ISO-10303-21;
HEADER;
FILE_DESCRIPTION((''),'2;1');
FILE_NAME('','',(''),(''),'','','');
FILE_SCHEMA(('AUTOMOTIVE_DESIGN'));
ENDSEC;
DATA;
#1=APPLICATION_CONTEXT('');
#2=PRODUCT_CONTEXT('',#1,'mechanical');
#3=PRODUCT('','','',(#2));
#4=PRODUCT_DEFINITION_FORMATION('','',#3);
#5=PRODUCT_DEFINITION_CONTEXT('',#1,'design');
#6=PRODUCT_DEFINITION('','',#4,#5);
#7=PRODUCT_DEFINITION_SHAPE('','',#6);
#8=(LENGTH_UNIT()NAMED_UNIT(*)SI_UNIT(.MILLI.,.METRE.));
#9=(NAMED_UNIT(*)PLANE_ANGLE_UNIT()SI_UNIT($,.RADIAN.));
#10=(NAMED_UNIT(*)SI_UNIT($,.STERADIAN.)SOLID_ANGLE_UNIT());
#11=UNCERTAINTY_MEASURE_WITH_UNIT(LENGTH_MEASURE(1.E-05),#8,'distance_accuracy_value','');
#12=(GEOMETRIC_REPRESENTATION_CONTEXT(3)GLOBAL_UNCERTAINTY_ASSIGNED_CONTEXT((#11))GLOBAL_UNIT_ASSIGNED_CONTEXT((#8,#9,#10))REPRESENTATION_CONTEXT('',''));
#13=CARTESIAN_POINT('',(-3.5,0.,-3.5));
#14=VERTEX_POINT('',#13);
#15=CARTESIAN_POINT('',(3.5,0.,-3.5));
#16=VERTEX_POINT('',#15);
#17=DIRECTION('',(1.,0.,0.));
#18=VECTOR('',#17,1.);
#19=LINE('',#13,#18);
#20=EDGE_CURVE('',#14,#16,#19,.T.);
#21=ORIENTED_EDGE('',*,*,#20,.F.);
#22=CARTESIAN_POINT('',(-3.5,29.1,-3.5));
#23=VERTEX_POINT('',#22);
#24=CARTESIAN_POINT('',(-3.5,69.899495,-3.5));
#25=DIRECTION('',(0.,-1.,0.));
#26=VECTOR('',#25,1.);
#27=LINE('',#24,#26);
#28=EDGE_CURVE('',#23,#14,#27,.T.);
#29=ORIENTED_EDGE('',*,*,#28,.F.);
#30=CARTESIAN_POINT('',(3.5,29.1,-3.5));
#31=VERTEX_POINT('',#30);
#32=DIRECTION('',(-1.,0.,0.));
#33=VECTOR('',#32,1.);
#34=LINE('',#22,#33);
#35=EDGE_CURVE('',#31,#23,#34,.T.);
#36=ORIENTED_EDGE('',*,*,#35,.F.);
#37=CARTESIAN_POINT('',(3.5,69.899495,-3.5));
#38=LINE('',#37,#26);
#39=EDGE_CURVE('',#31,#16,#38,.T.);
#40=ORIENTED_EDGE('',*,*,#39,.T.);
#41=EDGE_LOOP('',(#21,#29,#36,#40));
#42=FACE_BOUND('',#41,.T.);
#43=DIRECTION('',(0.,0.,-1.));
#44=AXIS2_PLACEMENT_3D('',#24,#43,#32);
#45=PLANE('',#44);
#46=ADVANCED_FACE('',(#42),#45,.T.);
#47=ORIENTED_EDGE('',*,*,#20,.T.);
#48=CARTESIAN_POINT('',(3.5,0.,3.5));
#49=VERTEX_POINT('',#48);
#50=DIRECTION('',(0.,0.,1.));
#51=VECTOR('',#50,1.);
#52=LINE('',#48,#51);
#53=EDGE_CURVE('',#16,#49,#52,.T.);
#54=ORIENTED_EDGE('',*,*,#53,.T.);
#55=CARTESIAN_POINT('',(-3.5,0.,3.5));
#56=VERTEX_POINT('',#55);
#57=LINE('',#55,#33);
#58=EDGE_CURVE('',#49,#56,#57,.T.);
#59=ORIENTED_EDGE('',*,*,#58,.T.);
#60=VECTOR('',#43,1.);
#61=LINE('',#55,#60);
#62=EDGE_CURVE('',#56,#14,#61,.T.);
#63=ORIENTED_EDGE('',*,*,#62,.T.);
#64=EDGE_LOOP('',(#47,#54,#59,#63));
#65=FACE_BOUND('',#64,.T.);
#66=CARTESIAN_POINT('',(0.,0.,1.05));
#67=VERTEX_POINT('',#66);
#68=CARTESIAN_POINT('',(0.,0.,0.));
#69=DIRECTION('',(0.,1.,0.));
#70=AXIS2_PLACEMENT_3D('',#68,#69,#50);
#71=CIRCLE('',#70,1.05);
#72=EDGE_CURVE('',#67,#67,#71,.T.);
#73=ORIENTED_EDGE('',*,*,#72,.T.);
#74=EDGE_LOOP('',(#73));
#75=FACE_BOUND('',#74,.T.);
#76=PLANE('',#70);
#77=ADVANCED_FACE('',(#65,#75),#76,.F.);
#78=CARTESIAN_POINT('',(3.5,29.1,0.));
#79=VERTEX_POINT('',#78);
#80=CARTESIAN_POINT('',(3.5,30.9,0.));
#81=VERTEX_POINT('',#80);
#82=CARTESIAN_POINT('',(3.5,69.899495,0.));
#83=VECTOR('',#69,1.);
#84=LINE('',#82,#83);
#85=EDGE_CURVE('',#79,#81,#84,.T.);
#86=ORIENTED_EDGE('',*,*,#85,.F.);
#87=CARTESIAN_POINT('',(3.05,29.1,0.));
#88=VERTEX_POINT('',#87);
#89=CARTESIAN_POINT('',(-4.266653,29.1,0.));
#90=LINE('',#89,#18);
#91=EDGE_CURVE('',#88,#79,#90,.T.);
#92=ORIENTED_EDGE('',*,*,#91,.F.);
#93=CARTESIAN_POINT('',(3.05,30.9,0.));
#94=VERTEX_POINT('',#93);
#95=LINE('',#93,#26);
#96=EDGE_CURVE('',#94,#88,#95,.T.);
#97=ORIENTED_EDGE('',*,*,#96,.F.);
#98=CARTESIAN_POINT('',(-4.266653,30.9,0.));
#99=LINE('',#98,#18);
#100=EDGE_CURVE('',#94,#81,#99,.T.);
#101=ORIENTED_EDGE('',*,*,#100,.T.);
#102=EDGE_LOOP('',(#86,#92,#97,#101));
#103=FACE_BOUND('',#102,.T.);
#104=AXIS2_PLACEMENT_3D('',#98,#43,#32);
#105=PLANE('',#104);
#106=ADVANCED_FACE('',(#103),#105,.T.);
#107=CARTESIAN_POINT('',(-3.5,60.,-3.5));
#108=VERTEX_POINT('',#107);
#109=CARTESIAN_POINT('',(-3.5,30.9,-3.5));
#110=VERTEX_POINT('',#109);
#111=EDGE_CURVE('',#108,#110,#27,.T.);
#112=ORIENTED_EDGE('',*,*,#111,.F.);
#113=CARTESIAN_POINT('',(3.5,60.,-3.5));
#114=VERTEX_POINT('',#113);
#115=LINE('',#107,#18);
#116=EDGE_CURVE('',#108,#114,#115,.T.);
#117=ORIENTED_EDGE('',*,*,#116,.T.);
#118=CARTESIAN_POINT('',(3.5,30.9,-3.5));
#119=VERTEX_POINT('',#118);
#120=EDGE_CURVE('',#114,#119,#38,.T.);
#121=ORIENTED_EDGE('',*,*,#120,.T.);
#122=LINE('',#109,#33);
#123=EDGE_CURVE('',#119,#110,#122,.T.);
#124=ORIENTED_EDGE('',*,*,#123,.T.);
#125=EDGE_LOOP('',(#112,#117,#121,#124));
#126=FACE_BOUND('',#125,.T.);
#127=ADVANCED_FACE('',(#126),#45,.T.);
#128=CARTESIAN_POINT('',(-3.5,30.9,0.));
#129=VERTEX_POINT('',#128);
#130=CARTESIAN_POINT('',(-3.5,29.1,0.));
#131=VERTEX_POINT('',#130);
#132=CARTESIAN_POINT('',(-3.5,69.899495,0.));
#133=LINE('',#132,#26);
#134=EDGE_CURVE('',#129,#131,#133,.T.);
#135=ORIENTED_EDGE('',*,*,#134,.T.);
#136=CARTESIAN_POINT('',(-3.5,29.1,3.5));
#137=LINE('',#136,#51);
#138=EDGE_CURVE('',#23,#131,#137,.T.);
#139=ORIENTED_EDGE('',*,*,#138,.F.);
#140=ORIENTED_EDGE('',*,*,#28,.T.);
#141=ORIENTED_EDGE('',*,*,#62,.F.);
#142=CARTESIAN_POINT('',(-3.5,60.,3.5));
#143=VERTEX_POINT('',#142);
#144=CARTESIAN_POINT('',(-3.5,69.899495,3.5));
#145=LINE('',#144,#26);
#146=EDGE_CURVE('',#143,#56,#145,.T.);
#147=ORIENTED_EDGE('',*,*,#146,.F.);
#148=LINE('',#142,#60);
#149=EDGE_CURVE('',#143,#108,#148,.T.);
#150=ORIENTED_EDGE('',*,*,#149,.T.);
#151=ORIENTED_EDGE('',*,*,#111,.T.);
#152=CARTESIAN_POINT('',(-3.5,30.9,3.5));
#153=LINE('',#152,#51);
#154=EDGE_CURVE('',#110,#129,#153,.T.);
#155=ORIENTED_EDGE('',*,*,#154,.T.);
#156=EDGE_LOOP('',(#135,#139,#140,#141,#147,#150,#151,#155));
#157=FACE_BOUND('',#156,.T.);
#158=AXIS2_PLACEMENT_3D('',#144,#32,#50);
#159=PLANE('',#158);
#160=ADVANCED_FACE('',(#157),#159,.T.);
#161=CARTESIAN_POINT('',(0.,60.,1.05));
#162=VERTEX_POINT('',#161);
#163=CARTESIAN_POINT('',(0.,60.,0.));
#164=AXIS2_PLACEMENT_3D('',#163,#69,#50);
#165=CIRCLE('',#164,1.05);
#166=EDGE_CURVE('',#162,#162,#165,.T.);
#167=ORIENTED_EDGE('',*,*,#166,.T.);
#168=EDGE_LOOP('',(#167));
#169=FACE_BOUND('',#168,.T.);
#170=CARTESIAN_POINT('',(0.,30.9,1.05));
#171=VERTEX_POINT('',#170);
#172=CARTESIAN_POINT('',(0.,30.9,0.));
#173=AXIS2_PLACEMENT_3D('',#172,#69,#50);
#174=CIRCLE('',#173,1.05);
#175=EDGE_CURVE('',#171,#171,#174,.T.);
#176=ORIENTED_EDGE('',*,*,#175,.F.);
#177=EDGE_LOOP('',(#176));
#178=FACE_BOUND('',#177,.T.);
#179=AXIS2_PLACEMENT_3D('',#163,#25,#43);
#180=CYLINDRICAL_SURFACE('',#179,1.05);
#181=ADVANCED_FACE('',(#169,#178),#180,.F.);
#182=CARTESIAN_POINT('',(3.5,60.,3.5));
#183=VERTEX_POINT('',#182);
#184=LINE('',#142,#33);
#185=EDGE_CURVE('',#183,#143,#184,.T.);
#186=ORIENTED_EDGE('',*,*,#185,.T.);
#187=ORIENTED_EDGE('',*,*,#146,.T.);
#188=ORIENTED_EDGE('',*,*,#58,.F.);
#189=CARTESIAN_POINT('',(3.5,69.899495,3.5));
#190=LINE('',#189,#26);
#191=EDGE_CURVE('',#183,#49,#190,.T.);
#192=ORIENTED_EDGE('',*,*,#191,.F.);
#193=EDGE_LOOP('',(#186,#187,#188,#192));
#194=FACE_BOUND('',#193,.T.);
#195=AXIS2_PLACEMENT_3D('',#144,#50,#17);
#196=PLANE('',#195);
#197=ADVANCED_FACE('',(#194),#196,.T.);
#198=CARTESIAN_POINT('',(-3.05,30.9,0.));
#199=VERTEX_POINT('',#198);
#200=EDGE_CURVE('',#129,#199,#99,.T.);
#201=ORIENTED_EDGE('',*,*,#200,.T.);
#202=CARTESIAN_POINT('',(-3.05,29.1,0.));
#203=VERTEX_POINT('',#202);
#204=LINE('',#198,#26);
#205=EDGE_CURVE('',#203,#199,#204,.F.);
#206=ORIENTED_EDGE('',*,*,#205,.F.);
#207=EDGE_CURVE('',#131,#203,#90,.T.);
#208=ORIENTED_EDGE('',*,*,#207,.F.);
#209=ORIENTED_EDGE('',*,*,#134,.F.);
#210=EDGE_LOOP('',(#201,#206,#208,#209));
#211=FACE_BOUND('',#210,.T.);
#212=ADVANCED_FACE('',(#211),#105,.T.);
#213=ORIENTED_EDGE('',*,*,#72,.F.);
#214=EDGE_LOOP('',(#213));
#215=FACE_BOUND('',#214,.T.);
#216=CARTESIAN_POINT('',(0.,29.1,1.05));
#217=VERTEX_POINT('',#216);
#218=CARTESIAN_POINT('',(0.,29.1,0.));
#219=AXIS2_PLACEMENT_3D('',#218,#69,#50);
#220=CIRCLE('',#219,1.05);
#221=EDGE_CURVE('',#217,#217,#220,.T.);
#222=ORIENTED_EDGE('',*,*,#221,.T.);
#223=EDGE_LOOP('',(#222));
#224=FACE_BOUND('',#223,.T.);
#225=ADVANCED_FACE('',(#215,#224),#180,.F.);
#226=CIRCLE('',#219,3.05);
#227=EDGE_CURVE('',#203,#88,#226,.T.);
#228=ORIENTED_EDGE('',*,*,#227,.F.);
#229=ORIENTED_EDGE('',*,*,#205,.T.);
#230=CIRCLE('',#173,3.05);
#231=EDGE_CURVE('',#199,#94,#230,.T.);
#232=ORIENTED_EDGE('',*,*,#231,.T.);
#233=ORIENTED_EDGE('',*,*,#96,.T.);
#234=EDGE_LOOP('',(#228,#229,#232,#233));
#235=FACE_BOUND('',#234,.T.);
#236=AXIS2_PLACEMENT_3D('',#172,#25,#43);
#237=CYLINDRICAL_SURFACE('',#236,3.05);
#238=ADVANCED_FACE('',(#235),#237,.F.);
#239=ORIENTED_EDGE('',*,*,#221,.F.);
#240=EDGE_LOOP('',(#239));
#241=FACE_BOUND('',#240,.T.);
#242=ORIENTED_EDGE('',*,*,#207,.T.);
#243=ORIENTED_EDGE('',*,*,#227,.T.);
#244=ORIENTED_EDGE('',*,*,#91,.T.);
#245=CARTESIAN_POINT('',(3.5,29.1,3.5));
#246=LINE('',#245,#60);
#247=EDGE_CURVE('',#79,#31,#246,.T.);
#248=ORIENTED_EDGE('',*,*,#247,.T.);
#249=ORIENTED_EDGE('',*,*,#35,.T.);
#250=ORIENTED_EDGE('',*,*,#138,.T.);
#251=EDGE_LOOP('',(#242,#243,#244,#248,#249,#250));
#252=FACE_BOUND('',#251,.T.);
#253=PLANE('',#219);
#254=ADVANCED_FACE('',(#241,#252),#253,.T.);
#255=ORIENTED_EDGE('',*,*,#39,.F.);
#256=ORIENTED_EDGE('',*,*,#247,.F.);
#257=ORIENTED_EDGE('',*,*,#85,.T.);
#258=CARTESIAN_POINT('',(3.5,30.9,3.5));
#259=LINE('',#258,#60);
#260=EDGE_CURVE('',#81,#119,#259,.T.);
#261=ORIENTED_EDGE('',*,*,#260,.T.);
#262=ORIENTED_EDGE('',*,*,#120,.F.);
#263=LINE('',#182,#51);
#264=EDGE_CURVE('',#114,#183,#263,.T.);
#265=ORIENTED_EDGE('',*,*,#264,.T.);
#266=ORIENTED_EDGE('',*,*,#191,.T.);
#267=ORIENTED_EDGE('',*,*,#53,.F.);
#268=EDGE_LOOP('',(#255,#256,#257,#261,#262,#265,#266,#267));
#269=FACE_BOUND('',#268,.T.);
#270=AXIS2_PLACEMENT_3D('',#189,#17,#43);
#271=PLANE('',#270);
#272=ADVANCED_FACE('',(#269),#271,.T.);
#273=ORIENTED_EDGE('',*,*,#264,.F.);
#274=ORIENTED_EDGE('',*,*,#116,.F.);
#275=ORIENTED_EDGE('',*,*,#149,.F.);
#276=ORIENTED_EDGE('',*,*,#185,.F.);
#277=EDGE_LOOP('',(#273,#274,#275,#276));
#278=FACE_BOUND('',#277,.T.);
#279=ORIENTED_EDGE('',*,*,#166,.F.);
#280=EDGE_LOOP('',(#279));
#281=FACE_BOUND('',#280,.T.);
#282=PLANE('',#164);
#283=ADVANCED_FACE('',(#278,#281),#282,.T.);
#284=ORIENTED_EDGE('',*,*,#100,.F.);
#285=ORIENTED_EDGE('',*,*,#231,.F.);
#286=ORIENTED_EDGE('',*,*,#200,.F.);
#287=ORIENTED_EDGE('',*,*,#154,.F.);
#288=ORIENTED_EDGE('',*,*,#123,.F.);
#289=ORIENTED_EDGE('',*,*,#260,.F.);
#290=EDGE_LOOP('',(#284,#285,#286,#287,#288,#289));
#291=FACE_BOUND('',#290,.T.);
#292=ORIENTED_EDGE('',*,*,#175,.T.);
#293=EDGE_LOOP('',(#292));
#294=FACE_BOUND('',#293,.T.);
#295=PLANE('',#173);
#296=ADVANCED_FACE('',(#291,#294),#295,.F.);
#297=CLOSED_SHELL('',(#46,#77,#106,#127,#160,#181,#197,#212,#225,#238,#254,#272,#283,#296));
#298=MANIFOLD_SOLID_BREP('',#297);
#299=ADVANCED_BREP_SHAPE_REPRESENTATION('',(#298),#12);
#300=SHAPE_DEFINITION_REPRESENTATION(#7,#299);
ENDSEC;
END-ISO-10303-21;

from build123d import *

# Parameters (mm, degrees)
SKETCH1_R               = 3.5
SKETCH1_R_2             = 1.05
BOSS_EXTRUDE1_DEPTH     = 60
CUT_EXTRUDE1_DEPTH      = 0.9
CUT_EXTRUDE1_DEPTH_BACK = 0.9
CUT_EXTRUDE1_START      = -30
SKETCH3_R               = 3.05
CUT_EXTRUDE2_DEPTH      = 0.9
CUT_EXTRUDE2_DEPTH_BACK = 0.9
CUT_EXTRUDE2_START      = -30
SKETCH5_W               = 7
SKETCH5_H               = 7
SKETCH5_R               = 1.05
BOSS_EXTRUDE2_DEPTH     = 60
CUT_EXTRUDE3_DEPTH      = 0.9
CUT_EXTRUDE3_DEPTH_BACK = 0.9
CUT_EXTRUDE3_START      = -30
SKETCH6_R               = 3.05
CUT_EXTRUDE4_DEPTH      = 0.9
CUT_EXTRUDE4_DEPTH_BACK = 0.9
CUT_EXTRUDE4_START      = -30
SKETCH7_W               = 8.533306348
SKETCH7_H               = 4.274424856


with BuildPart() as part:
    # Sketch1 → Boss-Extrude1 (new body)
    with BuildSketch(Plane(origin=(0, 0, 0), x_dir=(1, 0, 0), z_dir=(0, 1, 0))):
        with Locations(Location((0, 0, 0), (0, 0, 270))):
            Circle(SKETCH1_R)
        with Locations(Location((0, 0, 0), (0, 0, 270))):
            Circle(SKETCH1_R_2, mode=Mode.SUBTRACT)
    extrude(amount=BOSS_EXTRUDE1_DEPTH)

    # Sketch3 → Cut-Extrude1 (cut, two sides: drawn at the far end of the back side and taken through both)
    with BuildSketch(Plane(origin=(0, 60, 0), x_dir=(1, 0, 0), z_dir=(0, 1, 0)).offset(CUT_EXTRUDE1_START - CUT_EXTRUDE1_DEPTH_BACK)):
        with Locations(Location((0, 0, 0), (0, 0, 270))):
            Circle(SKETCH3_R)
    extrude(amount=CUT_EXTRUDE1_DEPTH + CUT_EXTRUDE1_DEPTH_BACK, mode=Mode.SUBTRACT)

    # Sketch4 → Cut-Extrude2 (cut, two sides: drawn at the far end of the back side and taken through both)
    with BuildSketch(Plane(origin=(0, 60, 0), x_dir=(1, 0, 0), z_dir=(0, 1, 0)).offset(CUT_EXTRUDE2_START - CUT_EXTRUDE2_DEPTH_BACK)):
        with BuildLine():
            Line((-4.266653174, 0), (4.266653174, 0))
            ThreePointArc((4.266653174, 0), (0, 4.266653174), (-4.266653174, 0))
        make_face()
    extrude(amount=CUT_EXTRUDE2_DEPTH + CUT_EXTRUDE2_DEPTH_BACK, mode=Mode.SUBTRACT)

    # Sketch5 → Boss-Extrude2 (add)
    with BuildSketch(Plane.XZ):
        Rectangle(SKETCH5_W, SKETCH5_H)
        with Locations(Location((0, 0, 0), (0, 0, 90))):
            Circle(SKETCH5_R, mode=Mode.SUBTRACT)
    extrude(amount=-BOSS_EXTRUDE2_DEPTH)

    # Sketch6 → Cut-Extrude3 (cut, two sides: drawn at the far end of the back side and taken through both)
    with BuildSketch(Plane(origin=(0, 60, 0), x_dir=(1, 0, 0), z_dir=(0, 1, 0)).offset(CUT_EXTRUDE3_START - CUT_EXTRUDE3_DEPTH_BACK)):
        with Locations(Location((0, 0, 0), (0, 0, 270))):
            Circle(SKETCH6_R)
    extrude(amount=CUT_EXTRUDE3_DEPTH + CUT_EXTRUDE3_DEPTH_BACK, mode=Mode.SUBTRACT)

    # Sketch7 → Cut-Extrude4 (cut, two sides: drawn at the far end of the back side and taken through both)
    with BuildSketch(Plane(origin=(0, 60, 0), x_dir=(1, 0, 0), z_dir=(0, 1, 0)).offset(CUT_EXTRUDE4_START - CUT_EXTRUDE4_DEPTH_BACK)):
        with Locations((0, 2.137212428)):
            Rectangle(SKETCH7_W, SKETCH7_H)
    extrude(amount=CUT_EXTRUDE4_DEPTH + CUT_EXTRUDE4_DEPTH_BACK, mode=Mode.SUBTRACT)


solid = part.part
